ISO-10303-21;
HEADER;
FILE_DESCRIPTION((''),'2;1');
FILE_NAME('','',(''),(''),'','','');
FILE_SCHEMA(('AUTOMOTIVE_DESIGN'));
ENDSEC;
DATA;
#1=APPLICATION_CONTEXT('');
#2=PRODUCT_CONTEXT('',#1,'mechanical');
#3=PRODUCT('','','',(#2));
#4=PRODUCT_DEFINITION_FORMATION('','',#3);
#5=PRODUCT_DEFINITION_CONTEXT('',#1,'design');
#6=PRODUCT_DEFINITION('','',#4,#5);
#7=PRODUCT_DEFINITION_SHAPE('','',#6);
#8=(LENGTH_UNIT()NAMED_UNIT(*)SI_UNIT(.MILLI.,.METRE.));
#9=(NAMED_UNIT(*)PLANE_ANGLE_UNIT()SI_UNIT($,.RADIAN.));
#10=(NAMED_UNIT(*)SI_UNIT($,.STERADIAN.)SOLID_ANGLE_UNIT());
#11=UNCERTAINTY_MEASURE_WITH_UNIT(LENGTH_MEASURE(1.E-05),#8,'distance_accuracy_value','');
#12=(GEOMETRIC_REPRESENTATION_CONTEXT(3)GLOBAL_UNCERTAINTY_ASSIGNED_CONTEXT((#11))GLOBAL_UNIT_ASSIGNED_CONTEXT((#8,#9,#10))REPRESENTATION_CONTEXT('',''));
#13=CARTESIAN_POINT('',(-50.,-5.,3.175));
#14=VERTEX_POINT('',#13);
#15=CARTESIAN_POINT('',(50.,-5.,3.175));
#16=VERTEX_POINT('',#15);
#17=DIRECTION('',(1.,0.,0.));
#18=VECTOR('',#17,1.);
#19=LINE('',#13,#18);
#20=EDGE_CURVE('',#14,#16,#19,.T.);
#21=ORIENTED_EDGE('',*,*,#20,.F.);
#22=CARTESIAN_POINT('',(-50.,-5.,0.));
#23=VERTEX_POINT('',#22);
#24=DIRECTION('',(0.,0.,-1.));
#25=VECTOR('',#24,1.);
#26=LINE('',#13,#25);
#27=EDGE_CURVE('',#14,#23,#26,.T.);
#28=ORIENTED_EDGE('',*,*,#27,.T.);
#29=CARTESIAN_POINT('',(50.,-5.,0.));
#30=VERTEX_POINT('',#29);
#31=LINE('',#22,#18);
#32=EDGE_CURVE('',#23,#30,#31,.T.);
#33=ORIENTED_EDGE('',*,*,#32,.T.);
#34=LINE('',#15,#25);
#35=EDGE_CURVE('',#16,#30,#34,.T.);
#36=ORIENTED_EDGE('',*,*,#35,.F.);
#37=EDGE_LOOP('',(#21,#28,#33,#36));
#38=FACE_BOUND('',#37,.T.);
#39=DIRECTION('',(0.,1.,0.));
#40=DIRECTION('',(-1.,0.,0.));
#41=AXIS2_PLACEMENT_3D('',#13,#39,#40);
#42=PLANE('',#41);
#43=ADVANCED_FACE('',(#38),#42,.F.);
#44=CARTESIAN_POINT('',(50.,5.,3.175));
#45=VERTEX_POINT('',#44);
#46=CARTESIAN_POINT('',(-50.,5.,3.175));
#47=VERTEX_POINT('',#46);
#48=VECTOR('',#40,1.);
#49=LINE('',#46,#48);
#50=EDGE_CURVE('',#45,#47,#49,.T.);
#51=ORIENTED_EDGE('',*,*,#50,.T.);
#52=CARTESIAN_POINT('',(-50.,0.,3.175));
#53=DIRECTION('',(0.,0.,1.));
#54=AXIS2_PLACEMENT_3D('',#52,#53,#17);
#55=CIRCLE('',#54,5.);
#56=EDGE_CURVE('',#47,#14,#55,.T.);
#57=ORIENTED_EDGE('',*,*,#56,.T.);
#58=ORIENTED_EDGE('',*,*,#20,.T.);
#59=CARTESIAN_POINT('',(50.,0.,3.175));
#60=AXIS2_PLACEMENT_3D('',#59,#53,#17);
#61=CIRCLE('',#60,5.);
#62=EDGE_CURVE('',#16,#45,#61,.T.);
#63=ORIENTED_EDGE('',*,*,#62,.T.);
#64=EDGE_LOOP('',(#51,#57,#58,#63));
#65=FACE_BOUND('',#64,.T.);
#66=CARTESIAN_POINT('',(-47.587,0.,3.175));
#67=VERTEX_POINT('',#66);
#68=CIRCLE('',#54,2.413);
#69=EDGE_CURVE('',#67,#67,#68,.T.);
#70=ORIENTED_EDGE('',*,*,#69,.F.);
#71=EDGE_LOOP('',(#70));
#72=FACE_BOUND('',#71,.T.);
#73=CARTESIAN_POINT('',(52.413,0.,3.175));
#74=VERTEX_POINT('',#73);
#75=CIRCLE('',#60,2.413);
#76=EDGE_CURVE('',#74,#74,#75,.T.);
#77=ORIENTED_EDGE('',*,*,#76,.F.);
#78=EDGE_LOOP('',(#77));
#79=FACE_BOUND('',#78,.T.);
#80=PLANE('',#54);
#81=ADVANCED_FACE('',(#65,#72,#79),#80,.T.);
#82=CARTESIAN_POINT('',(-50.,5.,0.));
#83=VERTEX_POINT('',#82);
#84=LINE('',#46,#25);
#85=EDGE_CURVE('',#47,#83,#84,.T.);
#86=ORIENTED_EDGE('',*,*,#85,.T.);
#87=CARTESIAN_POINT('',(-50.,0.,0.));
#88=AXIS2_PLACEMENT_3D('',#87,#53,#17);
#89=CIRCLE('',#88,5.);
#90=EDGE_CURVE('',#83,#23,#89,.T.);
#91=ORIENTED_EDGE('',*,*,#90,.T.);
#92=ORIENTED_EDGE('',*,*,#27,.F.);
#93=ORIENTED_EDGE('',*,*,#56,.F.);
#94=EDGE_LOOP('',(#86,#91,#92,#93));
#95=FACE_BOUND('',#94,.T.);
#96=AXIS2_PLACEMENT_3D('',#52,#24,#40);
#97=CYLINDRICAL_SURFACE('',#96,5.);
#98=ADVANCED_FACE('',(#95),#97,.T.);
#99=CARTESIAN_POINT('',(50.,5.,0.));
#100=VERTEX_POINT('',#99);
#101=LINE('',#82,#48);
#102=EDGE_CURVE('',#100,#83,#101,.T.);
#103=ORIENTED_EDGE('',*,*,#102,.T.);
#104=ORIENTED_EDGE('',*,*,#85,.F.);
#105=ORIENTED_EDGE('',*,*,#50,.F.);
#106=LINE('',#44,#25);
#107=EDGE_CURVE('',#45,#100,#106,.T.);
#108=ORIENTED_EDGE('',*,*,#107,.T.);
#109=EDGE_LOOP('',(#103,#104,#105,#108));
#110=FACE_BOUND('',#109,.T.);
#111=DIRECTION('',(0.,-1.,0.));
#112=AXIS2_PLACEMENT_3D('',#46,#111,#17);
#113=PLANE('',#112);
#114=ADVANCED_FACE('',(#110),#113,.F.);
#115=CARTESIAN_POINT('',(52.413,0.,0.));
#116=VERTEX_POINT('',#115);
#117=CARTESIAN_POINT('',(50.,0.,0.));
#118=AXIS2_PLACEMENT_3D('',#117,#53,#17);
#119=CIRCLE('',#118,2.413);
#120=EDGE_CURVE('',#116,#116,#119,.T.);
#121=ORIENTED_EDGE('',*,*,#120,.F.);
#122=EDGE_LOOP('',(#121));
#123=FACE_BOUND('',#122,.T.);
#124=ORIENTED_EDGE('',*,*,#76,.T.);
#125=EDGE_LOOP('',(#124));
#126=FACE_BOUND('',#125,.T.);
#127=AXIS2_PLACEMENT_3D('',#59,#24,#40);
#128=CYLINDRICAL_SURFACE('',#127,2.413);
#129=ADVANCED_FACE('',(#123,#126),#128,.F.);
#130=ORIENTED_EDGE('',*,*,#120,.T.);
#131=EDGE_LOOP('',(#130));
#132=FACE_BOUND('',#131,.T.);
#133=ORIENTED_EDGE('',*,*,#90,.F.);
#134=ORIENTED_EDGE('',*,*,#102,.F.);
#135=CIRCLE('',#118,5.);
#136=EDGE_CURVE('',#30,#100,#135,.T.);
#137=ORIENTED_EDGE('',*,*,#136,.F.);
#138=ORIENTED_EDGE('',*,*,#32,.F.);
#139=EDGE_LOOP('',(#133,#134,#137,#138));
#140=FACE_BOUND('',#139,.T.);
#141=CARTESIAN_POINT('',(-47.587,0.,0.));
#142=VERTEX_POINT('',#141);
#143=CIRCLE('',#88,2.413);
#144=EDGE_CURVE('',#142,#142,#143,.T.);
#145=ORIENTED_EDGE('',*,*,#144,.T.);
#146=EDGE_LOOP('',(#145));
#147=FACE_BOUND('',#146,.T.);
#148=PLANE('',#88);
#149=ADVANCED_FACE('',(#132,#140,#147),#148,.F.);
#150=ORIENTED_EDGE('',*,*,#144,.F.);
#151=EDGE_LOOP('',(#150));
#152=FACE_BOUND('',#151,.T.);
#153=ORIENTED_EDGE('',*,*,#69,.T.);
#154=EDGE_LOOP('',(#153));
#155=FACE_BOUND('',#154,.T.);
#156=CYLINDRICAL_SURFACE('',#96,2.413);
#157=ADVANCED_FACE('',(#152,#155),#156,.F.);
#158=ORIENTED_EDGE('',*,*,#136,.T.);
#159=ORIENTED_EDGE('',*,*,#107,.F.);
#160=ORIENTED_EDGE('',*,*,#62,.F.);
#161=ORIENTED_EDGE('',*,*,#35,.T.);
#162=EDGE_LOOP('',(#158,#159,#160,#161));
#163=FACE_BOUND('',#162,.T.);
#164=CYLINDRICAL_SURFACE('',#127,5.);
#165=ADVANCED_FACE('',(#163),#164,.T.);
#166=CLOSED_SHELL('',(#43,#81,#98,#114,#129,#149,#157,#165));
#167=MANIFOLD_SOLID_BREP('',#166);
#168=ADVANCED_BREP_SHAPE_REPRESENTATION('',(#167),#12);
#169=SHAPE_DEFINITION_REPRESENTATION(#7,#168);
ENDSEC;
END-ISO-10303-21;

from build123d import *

# Parameters (mm, degrees)
SKETCH1_R           = 2.413
BOSS_EXTRUDE1_DEPTH = 3.175


with BuildPart() as part:
    # Sketch1 → Boss-Extrude1 (new body)
    with BuildSketch(Plane.XY):
        with BuildLine():
            Line((-50, 5), (50, 5))
            ThreePointArc((50, 5), (55, 0), (50, -5))
            Line((50, -5), (-50, -5))
            ThreePointArc((-50, -5), (-55, 0), (-50, 5))
        make_face()
        with Locations((-50, 0)):
            Circle(SKETCH1_R, mode=Mode.SUBTRACT)
        with Locations((50, 0)):
            Circle(SKETCH1_R, mode=Mode.SUBTRACT)
    extrude(amount=BOSS_EXTRUDE1_DEPTH)


solid = part.part
